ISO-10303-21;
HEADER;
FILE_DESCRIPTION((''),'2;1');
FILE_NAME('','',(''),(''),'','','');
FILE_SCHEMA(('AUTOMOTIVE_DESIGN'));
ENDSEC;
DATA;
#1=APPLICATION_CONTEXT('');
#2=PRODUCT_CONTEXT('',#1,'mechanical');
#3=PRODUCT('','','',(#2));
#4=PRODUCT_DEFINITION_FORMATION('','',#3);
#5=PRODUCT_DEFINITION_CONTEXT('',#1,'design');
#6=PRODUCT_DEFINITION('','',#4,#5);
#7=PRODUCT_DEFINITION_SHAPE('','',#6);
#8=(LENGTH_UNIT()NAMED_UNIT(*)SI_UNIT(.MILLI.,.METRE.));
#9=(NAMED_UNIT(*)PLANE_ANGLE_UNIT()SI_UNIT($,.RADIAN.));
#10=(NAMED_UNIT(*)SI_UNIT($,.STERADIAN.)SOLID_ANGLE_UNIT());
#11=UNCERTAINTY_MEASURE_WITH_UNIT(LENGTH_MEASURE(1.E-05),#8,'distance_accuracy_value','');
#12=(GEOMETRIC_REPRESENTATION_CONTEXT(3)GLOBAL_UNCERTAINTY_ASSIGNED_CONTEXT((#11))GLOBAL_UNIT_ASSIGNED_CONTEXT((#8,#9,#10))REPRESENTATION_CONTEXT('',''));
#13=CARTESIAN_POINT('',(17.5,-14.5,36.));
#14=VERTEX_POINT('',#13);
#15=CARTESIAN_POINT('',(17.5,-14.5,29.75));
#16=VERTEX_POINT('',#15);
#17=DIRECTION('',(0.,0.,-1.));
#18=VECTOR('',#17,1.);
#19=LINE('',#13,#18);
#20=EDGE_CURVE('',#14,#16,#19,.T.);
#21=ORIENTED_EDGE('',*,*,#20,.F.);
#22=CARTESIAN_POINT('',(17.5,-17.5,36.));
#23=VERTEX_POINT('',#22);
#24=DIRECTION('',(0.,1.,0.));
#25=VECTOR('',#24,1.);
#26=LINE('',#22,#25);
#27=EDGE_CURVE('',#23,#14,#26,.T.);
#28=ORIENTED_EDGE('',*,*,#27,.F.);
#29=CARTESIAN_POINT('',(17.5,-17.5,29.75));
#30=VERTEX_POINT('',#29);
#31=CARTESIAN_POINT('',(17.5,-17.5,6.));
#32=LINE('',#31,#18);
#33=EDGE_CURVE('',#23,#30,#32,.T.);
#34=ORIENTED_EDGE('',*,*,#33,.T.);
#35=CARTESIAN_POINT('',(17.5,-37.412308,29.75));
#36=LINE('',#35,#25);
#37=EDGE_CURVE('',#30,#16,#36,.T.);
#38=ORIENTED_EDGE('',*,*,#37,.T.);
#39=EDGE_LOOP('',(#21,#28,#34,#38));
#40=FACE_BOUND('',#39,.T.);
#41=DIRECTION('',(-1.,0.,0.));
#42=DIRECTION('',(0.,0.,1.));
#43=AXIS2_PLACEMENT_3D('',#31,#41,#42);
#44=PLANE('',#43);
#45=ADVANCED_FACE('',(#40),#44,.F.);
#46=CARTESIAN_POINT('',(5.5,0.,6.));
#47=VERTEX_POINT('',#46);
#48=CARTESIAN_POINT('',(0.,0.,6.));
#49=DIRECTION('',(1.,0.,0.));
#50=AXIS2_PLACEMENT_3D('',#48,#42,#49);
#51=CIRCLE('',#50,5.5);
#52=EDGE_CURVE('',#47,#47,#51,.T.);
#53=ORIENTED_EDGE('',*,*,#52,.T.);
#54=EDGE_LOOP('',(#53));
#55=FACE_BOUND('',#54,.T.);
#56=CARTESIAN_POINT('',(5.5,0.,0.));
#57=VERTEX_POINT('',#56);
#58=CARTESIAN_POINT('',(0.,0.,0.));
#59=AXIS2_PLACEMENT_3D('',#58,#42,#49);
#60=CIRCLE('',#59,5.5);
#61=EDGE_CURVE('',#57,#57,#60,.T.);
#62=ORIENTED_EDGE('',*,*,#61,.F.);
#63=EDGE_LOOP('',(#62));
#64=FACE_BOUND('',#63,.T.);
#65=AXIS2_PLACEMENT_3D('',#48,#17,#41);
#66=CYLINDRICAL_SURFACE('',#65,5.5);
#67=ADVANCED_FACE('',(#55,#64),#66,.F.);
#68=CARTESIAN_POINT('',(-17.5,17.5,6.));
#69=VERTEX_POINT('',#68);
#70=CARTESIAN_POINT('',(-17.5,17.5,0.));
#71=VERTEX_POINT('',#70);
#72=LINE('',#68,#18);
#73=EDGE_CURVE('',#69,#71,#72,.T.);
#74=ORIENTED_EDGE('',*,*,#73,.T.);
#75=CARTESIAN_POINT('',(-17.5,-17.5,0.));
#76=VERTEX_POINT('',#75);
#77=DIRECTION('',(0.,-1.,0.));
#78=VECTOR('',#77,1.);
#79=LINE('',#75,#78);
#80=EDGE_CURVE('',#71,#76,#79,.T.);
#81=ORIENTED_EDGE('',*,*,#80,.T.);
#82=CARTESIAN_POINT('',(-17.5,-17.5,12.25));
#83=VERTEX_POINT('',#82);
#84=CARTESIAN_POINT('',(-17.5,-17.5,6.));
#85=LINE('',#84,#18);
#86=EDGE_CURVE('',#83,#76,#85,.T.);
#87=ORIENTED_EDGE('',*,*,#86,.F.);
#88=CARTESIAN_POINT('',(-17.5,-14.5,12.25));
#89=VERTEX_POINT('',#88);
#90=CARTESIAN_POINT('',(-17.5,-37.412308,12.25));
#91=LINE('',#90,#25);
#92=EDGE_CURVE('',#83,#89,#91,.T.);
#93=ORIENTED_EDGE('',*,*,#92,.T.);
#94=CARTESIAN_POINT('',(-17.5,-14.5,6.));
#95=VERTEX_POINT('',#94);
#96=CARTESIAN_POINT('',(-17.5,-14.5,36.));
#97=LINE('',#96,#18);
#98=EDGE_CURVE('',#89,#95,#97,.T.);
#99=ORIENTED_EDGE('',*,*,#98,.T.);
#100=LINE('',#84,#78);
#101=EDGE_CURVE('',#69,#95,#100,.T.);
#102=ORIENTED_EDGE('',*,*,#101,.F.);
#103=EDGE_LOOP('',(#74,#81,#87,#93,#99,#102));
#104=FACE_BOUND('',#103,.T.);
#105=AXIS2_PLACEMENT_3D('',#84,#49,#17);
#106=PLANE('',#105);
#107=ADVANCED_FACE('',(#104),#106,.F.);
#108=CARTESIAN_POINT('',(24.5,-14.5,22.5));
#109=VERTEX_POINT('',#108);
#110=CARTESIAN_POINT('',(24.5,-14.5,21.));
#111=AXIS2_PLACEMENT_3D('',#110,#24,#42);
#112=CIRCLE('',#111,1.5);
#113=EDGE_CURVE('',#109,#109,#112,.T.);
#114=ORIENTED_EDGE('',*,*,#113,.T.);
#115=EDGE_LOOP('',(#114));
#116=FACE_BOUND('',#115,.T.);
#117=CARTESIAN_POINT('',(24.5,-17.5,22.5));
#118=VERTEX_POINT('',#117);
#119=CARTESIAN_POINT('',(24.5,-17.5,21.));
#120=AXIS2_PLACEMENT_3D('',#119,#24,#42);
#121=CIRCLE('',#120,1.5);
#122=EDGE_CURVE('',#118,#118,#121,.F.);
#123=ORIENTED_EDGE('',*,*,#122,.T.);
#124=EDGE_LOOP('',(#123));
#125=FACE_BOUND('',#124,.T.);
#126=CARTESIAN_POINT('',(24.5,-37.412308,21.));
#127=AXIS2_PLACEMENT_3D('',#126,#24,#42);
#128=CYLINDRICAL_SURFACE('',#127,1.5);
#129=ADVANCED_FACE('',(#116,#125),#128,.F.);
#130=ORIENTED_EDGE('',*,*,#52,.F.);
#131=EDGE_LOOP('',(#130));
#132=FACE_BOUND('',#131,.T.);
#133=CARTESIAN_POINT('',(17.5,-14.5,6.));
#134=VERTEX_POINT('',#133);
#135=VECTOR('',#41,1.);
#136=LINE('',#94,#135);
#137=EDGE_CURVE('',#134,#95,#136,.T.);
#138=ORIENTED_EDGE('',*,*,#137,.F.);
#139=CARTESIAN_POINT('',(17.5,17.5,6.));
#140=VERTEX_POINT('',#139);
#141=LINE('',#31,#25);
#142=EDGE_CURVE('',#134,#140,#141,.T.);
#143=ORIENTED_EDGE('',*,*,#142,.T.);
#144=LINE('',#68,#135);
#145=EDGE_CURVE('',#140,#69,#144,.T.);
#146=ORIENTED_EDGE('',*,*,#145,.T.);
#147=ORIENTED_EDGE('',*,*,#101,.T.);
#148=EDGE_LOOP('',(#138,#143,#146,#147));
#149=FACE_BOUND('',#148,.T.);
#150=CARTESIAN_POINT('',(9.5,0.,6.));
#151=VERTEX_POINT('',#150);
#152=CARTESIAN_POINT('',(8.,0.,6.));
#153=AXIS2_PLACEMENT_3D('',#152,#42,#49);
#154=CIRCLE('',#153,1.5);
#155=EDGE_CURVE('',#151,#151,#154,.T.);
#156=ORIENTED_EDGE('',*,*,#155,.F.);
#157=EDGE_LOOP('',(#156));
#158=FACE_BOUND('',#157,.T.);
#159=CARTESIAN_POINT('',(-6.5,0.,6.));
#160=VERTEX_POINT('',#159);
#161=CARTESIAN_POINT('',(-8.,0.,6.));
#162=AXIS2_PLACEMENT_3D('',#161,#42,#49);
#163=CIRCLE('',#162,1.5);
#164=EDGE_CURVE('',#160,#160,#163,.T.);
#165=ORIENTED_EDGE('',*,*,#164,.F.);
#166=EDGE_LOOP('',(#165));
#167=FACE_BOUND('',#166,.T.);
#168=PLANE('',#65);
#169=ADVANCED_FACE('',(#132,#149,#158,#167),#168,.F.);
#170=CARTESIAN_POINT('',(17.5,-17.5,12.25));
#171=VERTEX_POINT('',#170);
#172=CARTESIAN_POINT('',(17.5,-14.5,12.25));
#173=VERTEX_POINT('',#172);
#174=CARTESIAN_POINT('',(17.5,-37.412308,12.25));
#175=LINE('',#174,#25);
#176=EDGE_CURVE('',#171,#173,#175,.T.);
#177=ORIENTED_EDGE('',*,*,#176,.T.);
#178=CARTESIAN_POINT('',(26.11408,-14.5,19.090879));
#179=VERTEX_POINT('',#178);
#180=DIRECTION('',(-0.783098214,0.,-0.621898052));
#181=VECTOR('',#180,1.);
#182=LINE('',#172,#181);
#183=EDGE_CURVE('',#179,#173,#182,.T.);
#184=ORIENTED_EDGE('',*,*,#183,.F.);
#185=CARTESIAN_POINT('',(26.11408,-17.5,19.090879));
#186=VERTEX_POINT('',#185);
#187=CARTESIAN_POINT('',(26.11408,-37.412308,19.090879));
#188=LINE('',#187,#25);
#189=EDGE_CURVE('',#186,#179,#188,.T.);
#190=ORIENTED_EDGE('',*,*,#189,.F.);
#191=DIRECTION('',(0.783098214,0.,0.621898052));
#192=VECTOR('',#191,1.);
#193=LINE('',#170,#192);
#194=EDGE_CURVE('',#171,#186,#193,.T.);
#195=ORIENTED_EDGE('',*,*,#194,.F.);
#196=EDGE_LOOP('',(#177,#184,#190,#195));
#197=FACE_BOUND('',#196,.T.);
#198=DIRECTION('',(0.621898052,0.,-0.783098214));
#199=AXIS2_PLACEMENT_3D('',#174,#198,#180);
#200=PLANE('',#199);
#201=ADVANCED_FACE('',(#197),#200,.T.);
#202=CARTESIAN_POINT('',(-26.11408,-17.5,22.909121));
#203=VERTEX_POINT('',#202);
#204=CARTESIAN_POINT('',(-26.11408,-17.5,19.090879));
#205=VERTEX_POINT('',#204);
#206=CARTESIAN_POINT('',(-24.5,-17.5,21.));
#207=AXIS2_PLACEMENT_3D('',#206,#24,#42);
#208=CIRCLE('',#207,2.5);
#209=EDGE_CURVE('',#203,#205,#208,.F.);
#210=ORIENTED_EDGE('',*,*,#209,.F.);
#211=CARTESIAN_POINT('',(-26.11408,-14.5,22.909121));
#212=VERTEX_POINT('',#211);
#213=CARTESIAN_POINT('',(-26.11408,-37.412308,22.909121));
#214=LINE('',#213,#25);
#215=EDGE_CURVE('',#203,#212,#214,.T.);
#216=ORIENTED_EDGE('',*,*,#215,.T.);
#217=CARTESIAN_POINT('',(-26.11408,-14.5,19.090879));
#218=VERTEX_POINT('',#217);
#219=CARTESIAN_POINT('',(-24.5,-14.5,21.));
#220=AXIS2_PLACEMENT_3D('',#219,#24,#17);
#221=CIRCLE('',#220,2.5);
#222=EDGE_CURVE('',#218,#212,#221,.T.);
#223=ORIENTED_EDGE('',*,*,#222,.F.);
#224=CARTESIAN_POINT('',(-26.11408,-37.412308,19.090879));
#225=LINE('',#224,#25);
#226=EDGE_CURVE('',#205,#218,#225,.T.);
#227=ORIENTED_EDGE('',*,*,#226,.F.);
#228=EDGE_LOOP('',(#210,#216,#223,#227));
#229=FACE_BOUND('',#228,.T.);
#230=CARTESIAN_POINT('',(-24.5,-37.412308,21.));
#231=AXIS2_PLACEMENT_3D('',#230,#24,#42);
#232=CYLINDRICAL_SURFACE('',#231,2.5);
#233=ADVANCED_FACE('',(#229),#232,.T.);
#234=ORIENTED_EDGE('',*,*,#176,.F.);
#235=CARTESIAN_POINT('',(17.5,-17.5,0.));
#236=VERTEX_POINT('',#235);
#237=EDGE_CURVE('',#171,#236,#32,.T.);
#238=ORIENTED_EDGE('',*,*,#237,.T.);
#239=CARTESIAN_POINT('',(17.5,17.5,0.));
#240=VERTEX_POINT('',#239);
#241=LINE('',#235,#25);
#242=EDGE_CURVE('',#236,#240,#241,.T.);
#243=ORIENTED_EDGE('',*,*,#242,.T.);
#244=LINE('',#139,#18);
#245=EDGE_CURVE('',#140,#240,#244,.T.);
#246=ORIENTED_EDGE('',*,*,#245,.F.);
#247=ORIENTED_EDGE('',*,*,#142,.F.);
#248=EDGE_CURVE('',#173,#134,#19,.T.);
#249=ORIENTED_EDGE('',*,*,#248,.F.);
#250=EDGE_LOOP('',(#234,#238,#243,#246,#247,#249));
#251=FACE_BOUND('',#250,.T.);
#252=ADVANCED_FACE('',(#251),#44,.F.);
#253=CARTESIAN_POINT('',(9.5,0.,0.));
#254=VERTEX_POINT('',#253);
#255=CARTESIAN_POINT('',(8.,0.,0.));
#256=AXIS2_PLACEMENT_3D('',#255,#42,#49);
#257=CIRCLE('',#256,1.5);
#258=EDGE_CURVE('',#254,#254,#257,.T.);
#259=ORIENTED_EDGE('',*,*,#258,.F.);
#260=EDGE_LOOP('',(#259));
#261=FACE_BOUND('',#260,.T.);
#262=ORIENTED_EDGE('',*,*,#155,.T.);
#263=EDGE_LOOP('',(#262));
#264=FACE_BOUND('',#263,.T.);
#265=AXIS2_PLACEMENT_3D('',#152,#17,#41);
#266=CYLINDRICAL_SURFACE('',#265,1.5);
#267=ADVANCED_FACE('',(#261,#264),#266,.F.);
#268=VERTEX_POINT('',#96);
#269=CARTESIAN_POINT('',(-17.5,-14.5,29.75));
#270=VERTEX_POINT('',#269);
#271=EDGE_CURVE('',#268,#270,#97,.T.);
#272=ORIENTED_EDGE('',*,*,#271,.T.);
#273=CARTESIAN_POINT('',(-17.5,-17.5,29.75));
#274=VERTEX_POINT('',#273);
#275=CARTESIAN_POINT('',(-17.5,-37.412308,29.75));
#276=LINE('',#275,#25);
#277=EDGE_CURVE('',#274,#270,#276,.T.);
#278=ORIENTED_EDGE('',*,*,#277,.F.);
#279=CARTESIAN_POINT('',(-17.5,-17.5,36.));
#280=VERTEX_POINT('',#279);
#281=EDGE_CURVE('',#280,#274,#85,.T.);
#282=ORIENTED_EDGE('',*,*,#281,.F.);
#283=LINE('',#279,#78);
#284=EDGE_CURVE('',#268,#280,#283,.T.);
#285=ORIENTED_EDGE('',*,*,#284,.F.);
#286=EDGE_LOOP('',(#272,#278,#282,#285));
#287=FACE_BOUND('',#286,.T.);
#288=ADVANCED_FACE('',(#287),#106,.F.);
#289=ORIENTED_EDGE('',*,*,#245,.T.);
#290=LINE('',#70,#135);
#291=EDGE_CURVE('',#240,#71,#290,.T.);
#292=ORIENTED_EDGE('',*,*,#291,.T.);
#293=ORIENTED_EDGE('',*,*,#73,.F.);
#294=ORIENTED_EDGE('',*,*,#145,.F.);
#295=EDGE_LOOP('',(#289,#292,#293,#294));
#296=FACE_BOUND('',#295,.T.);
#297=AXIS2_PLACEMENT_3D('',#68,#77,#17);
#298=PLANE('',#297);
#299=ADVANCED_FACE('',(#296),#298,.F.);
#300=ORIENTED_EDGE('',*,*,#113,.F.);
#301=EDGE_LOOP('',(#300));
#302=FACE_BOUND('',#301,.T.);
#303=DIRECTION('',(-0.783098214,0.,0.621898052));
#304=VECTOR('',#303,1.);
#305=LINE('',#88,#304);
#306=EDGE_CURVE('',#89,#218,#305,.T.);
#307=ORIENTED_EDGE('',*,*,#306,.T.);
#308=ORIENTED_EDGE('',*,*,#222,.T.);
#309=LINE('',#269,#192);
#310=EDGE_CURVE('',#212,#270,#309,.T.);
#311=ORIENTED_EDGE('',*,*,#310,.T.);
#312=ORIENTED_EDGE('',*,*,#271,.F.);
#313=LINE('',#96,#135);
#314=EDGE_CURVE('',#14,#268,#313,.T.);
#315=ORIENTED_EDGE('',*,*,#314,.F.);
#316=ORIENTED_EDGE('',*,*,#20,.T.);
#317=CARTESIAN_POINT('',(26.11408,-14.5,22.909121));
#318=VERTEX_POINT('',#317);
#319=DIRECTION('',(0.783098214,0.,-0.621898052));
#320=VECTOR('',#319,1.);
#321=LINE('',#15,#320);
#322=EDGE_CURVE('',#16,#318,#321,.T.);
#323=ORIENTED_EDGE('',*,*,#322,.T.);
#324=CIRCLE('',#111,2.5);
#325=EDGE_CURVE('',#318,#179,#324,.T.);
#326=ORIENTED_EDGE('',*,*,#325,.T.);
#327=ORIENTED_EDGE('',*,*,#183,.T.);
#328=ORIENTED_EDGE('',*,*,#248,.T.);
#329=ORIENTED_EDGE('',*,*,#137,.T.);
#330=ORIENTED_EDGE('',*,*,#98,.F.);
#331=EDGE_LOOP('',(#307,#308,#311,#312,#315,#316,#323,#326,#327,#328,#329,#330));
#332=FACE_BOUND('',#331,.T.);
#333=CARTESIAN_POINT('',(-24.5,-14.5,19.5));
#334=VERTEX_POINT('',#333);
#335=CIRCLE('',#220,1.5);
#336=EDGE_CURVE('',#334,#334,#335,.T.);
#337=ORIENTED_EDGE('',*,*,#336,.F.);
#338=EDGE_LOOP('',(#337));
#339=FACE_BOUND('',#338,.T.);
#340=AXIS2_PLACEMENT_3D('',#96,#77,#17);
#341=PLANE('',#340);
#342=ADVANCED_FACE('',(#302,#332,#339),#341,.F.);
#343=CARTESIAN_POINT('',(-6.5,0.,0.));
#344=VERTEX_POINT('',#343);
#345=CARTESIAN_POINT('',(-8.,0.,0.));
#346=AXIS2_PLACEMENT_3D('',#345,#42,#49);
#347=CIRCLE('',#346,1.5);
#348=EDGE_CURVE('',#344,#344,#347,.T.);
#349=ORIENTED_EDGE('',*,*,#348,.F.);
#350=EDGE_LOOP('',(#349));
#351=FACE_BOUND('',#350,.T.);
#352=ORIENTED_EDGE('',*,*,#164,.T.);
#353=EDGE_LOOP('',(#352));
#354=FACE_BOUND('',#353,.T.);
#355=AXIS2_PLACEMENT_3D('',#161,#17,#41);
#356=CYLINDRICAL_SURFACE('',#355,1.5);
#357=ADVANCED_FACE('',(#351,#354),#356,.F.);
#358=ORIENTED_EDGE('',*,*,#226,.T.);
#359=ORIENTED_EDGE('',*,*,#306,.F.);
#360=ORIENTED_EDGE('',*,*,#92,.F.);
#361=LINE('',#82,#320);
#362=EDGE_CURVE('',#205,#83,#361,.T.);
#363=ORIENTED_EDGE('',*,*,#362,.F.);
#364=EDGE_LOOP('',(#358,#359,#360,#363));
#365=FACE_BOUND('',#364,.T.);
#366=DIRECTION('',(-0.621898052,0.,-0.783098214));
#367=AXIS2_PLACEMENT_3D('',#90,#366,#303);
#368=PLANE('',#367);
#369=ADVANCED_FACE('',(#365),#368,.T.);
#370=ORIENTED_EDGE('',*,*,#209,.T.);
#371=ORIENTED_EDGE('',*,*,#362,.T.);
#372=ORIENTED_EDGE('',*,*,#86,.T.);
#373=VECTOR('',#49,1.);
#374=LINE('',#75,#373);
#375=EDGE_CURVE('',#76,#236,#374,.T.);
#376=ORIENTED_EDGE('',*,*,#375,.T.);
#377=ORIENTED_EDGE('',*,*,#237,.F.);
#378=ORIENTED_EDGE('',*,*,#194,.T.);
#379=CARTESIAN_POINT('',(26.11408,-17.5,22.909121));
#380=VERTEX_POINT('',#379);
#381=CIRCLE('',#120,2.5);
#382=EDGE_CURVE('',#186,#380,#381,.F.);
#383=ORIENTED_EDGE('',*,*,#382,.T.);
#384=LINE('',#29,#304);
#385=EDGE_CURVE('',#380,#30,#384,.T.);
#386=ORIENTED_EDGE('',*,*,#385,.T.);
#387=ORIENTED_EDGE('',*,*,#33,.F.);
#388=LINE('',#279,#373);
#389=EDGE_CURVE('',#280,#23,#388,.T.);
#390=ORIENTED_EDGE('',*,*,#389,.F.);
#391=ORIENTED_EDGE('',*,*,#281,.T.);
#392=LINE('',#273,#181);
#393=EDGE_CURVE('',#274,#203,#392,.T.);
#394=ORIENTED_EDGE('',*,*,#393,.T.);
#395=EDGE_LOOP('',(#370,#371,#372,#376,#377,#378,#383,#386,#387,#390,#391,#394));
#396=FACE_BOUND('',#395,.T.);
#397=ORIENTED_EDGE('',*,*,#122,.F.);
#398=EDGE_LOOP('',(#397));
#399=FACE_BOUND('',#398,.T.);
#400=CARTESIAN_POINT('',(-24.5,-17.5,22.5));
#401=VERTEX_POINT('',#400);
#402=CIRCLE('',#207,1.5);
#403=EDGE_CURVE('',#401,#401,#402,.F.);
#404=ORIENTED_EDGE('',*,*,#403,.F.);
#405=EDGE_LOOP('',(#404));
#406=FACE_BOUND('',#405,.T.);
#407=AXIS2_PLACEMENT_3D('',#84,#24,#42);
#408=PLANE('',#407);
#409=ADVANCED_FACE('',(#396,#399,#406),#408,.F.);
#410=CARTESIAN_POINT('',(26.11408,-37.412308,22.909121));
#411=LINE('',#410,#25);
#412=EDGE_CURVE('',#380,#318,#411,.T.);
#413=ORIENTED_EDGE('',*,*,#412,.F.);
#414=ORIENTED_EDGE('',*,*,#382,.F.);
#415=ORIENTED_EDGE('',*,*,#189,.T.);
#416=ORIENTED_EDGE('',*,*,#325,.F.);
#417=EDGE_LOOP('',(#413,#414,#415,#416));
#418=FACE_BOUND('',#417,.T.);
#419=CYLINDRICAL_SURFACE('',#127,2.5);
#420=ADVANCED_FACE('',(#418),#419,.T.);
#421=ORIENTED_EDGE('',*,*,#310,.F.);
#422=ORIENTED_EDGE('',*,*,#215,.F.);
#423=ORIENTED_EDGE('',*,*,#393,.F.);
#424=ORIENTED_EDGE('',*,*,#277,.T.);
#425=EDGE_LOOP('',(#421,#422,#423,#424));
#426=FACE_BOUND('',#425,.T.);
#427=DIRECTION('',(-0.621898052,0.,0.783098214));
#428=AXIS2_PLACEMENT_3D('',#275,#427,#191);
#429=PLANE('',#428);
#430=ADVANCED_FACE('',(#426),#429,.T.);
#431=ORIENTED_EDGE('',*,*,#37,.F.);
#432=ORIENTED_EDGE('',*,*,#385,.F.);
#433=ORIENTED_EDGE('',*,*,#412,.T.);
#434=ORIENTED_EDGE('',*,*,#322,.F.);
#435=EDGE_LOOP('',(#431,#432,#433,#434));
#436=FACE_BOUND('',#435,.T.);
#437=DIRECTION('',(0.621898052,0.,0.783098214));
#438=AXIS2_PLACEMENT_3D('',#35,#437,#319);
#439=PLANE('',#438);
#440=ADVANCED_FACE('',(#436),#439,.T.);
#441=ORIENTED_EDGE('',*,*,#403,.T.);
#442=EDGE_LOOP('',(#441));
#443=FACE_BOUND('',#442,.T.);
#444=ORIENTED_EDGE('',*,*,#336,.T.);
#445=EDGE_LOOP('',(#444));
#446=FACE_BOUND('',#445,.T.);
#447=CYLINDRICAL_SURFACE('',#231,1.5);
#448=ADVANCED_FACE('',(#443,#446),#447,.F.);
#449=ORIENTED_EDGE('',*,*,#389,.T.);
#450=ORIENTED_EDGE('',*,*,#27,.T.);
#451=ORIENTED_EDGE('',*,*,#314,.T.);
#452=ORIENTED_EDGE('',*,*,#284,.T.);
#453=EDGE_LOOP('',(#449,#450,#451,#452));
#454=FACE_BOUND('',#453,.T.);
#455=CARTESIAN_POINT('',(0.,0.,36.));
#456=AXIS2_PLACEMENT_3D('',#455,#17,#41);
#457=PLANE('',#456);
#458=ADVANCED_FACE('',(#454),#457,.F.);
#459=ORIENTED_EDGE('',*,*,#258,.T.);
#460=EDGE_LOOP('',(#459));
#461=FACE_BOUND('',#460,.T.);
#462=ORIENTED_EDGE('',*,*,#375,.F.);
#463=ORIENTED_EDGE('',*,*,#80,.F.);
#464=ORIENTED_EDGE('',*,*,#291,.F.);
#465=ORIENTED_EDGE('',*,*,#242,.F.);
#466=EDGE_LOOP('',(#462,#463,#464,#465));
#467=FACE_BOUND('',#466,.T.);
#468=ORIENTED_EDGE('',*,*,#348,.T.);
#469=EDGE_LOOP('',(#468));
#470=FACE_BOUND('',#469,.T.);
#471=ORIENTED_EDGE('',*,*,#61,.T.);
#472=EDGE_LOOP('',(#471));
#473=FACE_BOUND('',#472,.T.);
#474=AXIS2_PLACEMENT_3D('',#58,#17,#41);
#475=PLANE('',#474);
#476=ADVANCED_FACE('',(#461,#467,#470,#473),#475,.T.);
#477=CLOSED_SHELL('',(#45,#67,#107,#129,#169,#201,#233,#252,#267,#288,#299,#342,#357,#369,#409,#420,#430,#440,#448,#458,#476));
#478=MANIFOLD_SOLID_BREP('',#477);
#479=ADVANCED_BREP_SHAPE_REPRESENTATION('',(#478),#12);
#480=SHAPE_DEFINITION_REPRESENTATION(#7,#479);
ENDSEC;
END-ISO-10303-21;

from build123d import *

# Parameters (mm, degrees)
SKETCH1_W           = 35
SKETCH1_H           = 35
SKETCH1_R           = 5.5
SKETCH1_R_2         = 1.5
BOSS_EXTRUDE1_DEPTH = 6
SKETCH2_W           = 35
SKETCH2_H           = 3
BOSS_EXTRUDE2_DEPTH = 30
SKETCH3_R           = 1.5
BOSS_EXTRUDE3_DEPTH = 3


with BuildPart() as part:
    # Sketch1 → Boss-Extrude1 (new body)
    with BuildSketch(Plane.XY):
        Rectangle(SKETCH1_W, SKETCH1_H)
        Circle(SKETCH1_R, mode=Mode.SUBTRACT)
        with Locations((8, 0)):
            Circle(SKETCH1_R_2, mode=Mode.SUBTRACT)
        with Locations((-8, 0)):
            Circle(SKETCH1_R_2, mode=Mode.SUBTRACT)
    extrude(amount=BOSS_EXTRUDE1_DEPTH)

    # Sketch2 → Boss-Extrude2 (add)
    with BuildSketch(Plane.XY.offset(6)):
        with Locations((0, -16)):
            Rectangle(SKETCH2_W, SKETCH2_H)
    extrude(amount=BOSS_EXTRUDE2_DEPTH)

    # Sketch3 → Boss-Extrude3 (add)
    # profile 1 of 2: a face of its own
    with BuildSketch(Plane(origin=(0, -14.5, 0), x_dir=(1, 0, 0), z_dir=(0, 1, 0))):
        with BuildLine():
            Line((17.5, -29.75), (17.5, -12.25))
            Line((17.5, -12.25), (26.114080353, -19.090878575))
            ThreePointArc((26.114080353, -19.090878575), (27, -21), (26.114080353, -22.909121425))
            Line((26.114080353, -22.909121425), (17.5, -29.75))
        make_face()
        with Locations(Location((24.5, -21, 0), (0, 0, 270))):
            Circle(SKETCH3_R, mode=Mode.SUBTRACT)
    # profile 2 of 2: a face of its own
    with BuildSketch(Plane(origin=(0, -14.5, 0), x_dir=(1, 0, 0), z_dir=(0, 1, 0))):
        with BuildLine():
            Line((-17.5, -29.75), (-17.5, -12.25))
            Line((-17.5, -12.25), (-26.114080353, -19.090878575))
            ThreePointArc((-26.114080353, -19.090878575), (-27, -21), (-26.114080353, -22.909121425))
            Line((-26.114080353, -22.909121425), (-17.5, -29.75))
        make_face()
        with Locations(Location((-24.5, -21, 0), (0, 0, 270))):
            Circle(SKETCH3_R, mode=Mode.SUBTRACT)
    extrude(amount=-BOSS_EXTRUDE3_DEPTH)


solid = part.part
